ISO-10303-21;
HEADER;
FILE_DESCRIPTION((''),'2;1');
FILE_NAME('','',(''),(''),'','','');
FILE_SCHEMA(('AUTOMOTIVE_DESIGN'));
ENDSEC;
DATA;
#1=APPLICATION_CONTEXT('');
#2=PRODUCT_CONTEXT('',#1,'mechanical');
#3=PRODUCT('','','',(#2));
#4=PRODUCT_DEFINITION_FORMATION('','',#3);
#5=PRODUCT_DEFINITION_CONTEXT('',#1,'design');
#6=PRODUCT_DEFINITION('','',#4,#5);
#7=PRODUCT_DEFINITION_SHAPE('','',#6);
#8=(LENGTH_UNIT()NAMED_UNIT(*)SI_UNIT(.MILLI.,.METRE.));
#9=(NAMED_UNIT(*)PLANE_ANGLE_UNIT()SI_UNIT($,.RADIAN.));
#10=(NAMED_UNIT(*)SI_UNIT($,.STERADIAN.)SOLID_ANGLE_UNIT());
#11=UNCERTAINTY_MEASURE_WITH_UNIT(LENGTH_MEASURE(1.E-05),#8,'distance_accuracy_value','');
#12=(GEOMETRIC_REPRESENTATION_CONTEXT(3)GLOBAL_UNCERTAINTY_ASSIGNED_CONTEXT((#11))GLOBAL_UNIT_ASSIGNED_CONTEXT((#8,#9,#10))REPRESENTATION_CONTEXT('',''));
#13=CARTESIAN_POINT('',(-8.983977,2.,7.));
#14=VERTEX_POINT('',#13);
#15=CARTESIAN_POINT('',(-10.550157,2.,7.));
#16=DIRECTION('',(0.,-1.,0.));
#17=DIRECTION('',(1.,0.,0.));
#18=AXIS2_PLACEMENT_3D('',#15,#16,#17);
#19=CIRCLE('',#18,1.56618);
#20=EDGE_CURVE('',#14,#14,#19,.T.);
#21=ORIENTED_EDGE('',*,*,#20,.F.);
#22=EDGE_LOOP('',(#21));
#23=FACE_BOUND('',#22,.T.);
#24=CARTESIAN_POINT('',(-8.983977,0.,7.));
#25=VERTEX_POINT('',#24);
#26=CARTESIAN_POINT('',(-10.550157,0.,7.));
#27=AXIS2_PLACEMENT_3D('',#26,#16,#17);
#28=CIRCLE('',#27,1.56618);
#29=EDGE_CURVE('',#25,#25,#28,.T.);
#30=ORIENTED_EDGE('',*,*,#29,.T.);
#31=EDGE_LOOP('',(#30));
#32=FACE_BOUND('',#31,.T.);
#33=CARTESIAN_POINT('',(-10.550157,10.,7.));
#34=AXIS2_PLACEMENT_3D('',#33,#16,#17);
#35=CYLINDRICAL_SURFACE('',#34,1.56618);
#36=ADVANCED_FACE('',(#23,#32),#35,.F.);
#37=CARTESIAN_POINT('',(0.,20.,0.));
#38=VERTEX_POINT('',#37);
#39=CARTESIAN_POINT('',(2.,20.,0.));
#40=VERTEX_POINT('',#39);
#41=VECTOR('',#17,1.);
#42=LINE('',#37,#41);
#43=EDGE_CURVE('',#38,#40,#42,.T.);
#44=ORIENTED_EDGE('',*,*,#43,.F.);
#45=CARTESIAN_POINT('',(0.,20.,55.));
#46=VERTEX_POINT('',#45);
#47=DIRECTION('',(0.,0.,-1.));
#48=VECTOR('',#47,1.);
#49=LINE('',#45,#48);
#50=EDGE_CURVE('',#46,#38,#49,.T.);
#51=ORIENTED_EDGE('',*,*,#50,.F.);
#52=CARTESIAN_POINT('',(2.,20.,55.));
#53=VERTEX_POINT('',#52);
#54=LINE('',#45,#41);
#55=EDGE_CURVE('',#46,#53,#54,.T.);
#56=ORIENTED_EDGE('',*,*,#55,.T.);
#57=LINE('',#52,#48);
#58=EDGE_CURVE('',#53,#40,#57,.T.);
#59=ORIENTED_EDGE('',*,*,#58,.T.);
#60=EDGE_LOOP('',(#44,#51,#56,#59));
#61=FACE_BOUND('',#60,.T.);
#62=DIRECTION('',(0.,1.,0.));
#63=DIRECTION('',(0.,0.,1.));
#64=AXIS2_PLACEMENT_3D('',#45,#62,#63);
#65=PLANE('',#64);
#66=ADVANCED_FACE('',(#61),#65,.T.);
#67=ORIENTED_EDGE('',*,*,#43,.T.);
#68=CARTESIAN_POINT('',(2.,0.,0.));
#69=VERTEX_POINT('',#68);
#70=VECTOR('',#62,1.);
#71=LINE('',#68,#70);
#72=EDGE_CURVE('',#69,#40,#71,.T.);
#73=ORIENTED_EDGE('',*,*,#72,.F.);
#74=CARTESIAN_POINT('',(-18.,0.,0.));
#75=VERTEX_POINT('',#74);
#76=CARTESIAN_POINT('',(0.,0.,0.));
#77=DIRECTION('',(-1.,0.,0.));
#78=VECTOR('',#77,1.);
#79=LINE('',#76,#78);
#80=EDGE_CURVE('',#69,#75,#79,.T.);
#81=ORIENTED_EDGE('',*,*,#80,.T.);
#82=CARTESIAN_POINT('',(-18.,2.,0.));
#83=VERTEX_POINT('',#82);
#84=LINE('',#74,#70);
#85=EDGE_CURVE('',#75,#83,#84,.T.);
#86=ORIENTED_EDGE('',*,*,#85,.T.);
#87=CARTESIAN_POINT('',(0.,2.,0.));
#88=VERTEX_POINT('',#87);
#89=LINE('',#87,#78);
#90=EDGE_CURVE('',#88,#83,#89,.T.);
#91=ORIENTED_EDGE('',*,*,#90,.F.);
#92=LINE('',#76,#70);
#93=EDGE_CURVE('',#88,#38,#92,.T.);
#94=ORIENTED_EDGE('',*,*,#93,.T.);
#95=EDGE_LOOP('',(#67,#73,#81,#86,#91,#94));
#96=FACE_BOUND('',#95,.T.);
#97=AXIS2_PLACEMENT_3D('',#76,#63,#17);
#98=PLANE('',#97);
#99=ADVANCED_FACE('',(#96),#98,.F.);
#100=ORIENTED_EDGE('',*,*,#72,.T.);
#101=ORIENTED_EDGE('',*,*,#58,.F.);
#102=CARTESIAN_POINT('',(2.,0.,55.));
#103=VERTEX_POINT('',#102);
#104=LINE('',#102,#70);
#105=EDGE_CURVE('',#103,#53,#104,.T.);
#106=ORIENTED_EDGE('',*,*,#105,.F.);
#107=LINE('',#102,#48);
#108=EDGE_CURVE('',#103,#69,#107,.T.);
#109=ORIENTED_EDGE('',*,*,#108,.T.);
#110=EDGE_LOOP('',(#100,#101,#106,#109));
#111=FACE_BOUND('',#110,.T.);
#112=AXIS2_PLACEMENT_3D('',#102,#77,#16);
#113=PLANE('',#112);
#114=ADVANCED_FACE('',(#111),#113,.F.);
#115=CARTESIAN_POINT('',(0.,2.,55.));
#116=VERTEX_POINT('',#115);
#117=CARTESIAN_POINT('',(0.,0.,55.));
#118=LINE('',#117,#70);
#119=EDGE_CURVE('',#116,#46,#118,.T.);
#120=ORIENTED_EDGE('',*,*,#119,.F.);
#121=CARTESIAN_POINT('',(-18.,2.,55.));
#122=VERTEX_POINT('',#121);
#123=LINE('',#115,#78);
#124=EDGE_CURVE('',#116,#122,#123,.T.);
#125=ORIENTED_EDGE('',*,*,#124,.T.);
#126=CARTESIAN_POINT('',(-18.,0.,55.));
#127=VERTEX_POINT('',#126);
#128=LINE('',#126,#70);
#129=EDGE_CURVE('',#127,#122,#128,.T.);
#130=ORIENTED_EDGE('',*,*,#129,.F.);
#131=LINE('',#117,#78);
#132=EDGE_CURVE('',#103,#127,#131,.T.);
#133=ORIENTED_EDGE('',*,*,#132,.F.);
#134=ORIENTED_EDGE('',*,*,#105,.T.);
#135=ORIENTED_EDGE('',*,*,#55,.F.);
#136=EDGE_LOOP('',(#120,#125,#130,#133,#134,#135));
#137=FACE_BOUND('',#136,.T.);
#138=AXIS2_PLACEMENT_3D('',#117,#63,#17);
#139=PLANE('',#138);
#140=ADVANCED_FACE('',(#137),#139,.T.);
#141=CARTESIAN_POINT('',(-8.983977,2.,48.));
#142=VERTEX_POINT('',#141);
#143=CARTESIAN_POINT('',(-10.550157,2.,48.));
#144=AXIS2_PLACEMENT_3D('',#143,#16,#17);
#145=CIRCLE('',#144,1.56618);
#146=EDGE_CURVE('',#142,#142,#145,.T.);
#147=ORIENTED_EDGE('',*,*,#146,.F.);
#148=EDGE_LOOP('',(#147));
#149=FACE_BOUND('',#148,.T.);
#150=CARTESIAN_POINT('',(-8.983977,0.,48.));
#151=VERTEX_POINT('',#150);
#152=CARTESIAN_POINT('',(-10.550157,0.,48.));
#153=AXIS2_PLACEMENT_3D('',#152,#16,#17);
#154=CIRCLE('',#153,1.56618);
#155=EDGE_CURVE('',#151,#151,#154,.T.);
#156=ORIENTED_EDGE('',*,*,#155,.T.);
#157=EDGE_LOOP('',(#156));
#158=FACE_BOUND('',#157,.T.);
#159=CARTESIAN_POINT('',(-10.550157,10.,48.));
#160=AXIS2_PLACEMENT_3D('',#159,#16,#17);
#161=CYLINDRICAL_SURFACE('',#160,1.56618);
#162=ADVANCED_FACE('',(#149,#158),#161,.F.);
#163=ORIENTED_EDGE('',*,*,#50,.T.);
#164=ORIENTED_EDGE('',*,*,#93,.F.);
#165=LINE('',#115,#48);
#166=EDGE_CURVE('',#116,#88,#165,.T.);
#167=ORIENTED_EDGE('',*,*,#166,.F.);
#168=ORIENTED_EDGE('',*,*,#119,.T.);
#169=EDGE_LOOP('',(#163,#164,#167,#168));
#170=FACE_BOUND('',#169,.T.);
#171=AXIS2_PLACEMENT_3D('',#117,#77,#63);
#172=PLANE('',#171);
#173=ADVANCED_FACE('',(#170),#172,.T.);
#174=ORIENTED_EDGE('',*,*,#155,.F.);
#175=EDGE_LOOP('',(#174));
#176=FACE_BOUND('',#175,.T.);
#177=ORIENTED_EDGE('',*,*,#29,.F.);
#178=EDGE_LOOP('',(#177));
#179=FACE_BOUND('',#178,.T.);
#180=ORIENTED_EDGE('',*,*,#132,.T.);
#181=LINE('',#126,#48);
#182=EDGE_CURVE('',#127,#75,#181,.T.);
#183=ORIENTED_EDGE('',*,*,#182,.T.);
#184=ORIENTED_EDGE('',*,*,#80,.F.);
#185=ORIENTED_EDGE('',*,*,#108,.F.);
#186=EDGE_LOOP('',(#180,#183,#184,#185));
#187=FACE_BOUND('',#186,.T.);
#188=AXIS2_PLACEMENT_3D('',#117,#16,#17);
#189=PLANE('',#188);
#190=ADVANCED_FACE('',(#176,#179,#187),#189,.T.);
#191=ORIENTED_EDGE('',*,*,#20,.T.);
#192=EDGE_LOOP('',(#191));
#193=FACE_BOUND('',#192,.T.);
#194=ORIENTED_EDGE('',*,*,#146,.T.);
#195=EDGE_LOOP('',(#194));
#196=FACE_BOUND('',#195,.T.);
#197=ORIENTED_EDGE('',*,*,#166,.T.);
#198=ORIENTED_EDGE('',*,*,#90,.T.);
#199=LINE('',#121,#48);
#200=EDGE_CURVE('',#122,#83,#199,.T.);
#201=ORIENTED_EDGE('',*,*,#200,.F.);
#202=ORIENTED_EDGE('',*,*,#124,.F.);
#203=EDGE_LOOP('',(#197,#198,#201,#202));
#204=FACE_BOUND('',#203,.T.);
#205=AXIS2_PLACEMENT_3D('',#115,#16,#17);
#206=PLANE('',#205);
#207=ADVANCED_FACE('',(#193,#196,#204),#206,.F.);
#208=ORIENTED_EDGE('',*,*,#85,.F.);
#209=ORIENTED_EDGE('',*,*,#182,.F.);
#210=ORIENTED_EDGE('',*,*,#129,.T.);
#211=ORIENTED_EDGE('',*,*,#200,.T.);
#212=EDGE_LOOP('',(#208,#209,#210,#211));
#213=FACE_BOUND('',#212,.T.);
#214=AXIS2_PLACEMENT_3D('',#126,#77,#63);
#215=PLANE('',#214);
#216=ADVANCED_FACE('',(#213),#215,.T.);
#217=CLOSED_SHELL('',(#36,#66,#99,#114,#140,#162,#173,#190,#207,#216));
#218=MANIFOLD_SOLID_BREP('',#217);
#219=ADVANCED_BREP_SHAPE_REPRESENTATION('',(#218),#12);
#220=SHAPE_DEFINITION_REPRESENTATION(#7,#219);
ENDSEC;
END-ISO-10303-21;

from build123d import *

# Parameters (mm, degrees)
SKETCH_1_W          = 18
SKETCH_1_H          = 2
SKETCH_1_W_2        = 2
SKETCH_1_H_2        = 20
EXTRUDE_1_DEPTH     = 55
SKETCH_2_R          = 1.566180025
CUT_EXTRUDE_1_DEPTH = 10


with BuildPart() as part:
    # Эскиз1 → Бобышка-Вытянуть1 (new body)
    with BuildSketch(Plane.XY):
        with Locations((-9, 1)):
            Rectangle(SKETCH_1_W, SKETCH_1_H)
        with Locations((1, 10)):
            Rectangle(SKETCH_1_W_2, SKETCH_1_H_2)
    extrude(amount=EXTRUDE_1_DEPTH)

    # Эскиз2 → Вырез-Вытянуть1 (cut)
    with BuildSketch(Plane.XZ):
        with Locations((-10.550157234, 7)):
            Circle(SKETCH_2_R)
        with Locations((-10.550157234, 48)):
            Circle(SKETCH_2_R)
    extrude(amount=-CUT_EXTRUDE_1_DEPTH, mode=Mode.SUBTRACT)


solid = part.part
